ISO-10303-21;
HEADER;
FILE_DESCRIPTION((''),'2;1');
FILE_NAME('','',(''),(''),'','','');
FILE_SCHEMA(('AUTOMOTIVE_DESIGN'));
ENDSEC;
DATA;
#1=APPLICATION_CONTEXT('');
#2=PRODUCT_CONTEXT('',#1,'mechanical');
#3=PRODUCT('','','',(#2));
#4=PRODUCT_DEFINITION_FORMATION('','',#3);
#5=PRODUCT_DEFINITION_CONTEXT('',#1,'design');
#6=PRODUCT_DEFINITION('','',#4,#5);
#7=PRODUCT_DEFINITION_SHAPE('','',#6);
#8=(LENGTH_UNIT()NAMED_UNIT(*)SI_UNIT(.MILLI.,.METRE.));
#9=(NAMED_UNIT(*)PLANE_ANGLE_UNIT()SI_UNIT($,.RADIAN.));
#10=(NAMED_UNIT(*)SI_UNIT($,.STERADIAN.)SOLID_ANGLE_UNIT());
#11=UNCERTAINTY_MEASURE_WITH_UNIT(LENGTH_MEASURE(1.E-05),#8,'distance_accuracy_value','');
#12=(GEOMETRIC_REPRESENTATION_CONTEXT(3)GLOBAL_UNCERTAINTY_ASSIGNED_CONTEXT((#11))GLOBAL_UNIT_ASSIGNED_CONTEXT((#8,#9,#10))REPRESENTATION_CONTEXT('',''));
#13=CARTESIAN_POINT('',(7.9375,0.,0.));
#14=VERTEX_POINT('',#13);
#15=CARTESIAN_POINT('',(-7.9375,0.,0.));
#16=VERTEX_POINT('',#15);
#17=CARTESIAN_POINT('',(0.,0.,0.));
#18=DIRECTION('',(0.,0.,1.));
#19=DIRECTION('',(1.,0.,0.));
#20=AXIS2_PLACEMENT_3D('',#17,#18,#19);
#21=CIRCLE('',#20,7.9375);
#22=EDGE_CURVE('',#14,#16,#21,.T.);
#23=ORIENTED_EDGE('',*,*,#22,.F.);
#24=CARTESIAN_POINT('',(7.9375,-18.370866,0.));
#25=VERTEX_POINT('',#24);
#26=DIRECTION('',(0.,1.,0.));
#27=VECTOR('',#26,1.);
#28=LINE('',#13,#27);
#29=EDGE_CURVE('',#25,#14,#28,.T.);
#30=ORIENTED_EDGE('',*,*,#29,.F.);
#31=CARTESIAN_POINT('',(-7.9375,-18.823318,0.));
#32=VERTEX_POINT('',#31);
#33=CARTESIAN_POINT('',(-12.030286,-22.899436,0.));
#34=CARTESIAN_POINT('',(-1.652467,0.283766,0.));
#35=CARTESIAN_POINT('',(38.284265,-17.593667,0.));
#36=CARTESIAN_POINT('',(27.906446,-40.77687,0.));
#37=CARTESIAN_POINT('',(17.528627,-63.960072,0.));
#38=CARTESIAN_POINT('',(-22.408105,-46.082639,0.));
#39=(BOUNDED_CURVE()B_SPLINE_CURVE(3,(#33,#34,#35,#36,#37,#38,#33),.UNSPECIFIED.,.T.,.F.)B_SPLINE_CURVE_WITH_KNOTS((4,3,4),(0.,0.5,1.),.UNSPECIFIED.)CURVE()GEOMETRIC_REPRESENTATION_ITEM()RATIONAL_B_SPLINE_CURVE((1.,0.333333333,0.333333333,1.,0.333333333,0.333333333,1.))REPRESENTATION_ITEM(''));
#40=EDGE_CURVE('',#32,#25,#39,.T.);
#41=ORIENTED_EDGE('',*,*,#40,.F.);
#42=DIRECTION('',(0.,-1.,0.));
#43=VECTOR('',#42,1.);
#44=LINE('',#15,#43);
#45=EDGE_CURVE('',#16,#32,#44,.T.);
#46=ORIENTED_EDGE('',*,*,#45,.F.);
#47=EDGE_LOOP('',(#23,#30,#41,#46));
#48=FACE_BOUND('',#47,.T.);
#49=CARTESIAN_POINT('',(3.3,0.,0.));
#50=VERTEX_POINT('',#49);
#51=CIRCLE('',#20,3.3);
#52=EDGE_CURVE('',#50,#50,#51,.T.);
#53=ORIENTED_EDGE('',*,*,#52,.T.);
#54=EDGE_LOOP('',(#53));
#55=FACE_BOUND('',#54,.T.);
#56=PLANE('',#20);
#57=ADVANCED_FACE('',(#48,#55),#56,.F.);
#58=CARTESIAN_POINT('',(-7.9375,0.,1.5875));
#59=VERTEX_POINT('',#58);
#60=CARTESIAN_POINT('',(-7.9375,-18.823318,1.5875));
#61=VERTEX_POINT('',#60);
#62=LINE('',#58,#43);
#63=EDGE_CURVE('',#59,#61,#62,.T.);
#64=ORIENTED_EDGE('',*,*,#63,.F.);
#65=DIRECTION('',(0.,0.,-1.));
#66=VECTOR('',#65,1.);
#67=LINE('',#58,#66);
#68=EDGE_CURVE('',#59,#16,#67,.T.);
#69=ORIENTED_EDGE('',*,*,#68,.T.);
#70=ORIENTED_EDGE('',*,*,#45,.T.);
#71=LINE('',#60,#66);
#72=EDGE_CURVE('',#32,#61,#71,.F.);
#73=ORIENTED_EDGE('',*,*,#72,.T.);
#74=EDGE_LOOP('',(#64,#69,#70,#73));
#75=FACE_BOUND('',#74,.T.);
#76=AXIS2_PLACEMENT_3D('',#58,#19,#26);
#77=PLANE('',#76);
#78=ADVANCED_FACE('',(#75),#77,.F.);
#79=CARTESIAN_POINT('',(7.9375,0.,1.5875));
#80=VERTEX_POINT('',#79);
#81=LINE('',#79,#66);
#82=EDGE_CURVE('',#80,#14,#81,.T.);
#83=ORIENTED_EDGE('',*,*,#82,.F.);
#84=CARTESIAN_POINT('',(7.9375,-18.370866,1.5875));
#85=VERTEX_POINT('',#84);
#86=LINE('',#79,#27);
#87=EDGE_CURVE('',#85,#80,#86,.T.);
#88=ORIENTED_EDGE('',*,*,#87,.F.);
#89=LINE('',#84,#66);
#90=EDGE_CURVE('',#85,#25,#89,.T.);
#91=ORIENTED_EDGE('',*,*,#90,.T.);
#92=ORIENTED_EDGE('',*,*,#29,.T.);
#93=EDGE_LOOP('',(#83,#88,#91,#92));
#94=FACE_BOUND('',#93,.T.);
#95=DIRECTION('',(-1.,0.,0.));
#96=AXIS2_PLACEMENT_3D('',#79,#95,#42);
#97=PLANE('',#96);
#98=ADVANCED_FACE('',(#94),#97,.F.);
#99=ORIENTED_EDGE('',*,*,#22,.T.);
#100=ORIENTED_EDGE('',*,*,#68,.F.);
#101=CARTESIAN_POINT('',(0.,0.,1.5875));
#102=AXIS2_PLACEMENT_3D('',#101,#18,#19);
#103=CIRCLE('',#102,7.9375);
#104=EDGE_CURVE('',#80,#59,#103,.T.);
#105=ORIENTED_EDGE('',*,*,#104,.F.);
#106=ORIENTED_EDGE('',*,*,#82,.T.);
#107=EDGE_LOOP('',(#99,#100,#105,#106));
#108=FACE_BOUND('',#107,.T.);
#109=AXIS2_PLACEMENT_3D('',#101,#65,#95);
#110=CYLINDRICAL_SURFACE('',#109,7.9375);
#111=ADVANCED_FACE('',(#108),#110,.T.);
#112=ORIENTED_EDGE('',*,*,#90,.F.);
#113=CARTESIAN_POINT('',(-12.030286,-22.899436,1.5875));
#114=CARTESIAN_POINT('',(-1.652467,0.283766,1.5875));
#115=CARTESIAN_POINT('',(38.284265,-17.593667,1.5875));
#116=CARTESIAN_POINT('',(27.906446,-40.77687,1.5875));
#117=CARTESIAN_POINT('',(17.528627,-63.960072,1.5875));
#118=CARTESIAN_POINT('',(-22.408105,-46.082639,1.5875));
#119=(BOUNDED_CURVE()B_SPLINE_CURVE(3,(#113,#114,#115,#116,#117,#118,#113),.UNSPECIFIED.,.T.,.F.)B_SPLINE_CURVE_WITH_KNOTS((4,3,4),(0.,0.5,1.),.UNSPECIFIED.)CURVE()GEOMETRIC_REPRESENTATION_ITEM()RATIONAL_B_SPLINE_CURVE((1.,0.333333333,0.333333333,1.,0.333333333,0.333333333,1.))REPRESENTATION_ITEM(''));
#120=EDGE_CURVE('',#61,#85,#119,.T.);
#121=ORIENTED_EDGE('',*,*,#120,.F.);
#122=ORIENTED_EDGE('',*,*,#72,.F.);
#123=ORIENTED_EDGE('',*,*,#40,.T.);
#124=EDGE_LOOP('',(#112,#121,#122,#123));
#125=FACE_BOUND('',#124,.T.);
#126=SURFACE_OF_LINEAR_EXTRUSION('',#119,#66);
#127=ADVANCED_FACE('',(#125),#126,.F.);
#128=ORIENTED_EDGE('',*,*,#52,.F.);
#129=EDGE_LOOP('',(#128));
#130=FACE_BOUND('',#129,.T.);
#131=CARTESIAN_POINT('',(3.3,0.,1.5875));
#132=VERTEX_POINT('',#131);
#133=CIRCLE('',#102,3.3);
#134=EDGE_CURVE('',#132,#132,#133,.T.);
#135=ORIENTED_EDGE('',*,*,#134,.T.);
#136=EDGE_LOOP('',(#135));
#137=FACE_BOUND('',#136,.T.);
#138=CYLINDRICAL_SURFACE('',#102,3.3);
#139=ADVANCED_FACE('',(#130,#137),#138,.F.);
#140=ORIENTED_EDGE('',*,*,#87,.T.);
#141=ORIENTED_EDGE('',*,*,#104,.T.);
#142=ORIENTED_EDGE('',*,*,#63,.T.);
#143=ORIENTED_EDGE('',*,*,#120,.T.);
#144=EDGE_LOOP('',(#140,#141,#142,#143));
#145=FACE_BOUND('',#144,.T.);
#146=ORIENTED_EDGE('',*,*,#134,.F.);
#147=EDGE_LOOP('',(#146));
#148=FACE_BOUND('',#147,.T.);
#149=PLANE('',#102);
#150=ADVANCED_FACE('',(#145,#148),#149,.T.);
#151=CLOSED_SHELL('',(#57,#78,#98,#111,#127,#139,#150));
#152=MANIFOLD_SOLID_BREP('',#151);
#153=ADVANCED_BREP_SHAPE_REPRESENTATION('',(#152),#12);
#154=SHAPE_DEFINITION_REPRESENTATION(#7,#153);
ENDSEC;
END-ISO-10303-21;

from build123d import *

# Parameters (mm, degrees)
SKETCH1_R            = 7.9375
SKETCH1_R_2          = 3
BOSS_EXTRUDE1_DEPTH  = 1.5875
M6_CLEARANCE_HOLE1_D = 6.6
SKETCH5_W            = 15.875
SKETCH5_H            = 6.35
CUT_EXTRUDE2_DEPTH   = 27.658658303
CUT_EXTRUDE3_DEPTH   = 21.698467637


with BuildPart() as part:
    # Sketch1 → Boss-Extrude1 (new body)
    # profile 1 of 3: a face of its own
    with BuildSketch(Plane.XY):
        Circle(SKETCH1_R)
        Circle(SKETCH1_R_2, mode=Mode.SUBTRACT)
    # profile 2 of 3: a face of its own
    with BuildSketch(Plane.XY):
        with BuildLine():
            ThreePointArc((7.9375, 0), (0, -7.9375), (-7.9375, 0))
            Line((-7.9375, 0), (-7.9375, -25.4))
            Line((-7.9375, -25.4), (7.9375, -25.4))
            Line((7.9375, -25.4), (7.9375, 0))
        make_face()
    # profile 3 of 3: a face of its own
    with BuildSketch(Plane.XY):
        Circle(SKETCH1_R_2)
    extrude(amount=BOSS_EXTRUDE1_DEPTH)

    # M6 Clearance Hole1 (through all)
    with Locations(Plane.XY.offset(1.5875)):
        with Locations((0, 0)):
            Hole(M6_CLEARANCE_HOLE1_D / 2)

    # Sketch5 → Cut-Extrude2 (cut, through all)
    with BuildSketch(Plane.XY.offset(1.5875)):
        with Locations((0, -22.225)):
            Rectangle(SKETCH5_W, SKETCH5_H)
    extrude(amount=-CUT_EXTRUDE2_DEPTH, mode=Mode.SUBTRACT)

    # Sketch6 → Cut-Extrude3 (cut, through all)
    with BuildSketch(Plane(origin=(0, 0, 0), x_dir=(-1, 0, 0), z_dir=(0, 0, -1))):
        with BuildLine():
            add(Edge.make_bspline(
                [(12.030285896, -22.899436183), (1.652467131, 0.283766307), (-38.284264846, -17.593667439), (-27.906446081, -40.776869929), (-17.528627316, -63.960072418), (22.408104661, -46.082638673), (12.030285896, -22.899436183)],
                knots=[0, 0, 0, 0, 0.5, 0.5, 0.5, 1, 1, 1, 1], degree=3, weights=[1, 0.333333333, 0.333333333, 1, 0.333333333, 0.333333333, 1]))
        make_face()
    extrude(amount=-CUT_EXTRUDE3_DEPTH, mode=Mode.SUBTRACT)


solid = part.part
